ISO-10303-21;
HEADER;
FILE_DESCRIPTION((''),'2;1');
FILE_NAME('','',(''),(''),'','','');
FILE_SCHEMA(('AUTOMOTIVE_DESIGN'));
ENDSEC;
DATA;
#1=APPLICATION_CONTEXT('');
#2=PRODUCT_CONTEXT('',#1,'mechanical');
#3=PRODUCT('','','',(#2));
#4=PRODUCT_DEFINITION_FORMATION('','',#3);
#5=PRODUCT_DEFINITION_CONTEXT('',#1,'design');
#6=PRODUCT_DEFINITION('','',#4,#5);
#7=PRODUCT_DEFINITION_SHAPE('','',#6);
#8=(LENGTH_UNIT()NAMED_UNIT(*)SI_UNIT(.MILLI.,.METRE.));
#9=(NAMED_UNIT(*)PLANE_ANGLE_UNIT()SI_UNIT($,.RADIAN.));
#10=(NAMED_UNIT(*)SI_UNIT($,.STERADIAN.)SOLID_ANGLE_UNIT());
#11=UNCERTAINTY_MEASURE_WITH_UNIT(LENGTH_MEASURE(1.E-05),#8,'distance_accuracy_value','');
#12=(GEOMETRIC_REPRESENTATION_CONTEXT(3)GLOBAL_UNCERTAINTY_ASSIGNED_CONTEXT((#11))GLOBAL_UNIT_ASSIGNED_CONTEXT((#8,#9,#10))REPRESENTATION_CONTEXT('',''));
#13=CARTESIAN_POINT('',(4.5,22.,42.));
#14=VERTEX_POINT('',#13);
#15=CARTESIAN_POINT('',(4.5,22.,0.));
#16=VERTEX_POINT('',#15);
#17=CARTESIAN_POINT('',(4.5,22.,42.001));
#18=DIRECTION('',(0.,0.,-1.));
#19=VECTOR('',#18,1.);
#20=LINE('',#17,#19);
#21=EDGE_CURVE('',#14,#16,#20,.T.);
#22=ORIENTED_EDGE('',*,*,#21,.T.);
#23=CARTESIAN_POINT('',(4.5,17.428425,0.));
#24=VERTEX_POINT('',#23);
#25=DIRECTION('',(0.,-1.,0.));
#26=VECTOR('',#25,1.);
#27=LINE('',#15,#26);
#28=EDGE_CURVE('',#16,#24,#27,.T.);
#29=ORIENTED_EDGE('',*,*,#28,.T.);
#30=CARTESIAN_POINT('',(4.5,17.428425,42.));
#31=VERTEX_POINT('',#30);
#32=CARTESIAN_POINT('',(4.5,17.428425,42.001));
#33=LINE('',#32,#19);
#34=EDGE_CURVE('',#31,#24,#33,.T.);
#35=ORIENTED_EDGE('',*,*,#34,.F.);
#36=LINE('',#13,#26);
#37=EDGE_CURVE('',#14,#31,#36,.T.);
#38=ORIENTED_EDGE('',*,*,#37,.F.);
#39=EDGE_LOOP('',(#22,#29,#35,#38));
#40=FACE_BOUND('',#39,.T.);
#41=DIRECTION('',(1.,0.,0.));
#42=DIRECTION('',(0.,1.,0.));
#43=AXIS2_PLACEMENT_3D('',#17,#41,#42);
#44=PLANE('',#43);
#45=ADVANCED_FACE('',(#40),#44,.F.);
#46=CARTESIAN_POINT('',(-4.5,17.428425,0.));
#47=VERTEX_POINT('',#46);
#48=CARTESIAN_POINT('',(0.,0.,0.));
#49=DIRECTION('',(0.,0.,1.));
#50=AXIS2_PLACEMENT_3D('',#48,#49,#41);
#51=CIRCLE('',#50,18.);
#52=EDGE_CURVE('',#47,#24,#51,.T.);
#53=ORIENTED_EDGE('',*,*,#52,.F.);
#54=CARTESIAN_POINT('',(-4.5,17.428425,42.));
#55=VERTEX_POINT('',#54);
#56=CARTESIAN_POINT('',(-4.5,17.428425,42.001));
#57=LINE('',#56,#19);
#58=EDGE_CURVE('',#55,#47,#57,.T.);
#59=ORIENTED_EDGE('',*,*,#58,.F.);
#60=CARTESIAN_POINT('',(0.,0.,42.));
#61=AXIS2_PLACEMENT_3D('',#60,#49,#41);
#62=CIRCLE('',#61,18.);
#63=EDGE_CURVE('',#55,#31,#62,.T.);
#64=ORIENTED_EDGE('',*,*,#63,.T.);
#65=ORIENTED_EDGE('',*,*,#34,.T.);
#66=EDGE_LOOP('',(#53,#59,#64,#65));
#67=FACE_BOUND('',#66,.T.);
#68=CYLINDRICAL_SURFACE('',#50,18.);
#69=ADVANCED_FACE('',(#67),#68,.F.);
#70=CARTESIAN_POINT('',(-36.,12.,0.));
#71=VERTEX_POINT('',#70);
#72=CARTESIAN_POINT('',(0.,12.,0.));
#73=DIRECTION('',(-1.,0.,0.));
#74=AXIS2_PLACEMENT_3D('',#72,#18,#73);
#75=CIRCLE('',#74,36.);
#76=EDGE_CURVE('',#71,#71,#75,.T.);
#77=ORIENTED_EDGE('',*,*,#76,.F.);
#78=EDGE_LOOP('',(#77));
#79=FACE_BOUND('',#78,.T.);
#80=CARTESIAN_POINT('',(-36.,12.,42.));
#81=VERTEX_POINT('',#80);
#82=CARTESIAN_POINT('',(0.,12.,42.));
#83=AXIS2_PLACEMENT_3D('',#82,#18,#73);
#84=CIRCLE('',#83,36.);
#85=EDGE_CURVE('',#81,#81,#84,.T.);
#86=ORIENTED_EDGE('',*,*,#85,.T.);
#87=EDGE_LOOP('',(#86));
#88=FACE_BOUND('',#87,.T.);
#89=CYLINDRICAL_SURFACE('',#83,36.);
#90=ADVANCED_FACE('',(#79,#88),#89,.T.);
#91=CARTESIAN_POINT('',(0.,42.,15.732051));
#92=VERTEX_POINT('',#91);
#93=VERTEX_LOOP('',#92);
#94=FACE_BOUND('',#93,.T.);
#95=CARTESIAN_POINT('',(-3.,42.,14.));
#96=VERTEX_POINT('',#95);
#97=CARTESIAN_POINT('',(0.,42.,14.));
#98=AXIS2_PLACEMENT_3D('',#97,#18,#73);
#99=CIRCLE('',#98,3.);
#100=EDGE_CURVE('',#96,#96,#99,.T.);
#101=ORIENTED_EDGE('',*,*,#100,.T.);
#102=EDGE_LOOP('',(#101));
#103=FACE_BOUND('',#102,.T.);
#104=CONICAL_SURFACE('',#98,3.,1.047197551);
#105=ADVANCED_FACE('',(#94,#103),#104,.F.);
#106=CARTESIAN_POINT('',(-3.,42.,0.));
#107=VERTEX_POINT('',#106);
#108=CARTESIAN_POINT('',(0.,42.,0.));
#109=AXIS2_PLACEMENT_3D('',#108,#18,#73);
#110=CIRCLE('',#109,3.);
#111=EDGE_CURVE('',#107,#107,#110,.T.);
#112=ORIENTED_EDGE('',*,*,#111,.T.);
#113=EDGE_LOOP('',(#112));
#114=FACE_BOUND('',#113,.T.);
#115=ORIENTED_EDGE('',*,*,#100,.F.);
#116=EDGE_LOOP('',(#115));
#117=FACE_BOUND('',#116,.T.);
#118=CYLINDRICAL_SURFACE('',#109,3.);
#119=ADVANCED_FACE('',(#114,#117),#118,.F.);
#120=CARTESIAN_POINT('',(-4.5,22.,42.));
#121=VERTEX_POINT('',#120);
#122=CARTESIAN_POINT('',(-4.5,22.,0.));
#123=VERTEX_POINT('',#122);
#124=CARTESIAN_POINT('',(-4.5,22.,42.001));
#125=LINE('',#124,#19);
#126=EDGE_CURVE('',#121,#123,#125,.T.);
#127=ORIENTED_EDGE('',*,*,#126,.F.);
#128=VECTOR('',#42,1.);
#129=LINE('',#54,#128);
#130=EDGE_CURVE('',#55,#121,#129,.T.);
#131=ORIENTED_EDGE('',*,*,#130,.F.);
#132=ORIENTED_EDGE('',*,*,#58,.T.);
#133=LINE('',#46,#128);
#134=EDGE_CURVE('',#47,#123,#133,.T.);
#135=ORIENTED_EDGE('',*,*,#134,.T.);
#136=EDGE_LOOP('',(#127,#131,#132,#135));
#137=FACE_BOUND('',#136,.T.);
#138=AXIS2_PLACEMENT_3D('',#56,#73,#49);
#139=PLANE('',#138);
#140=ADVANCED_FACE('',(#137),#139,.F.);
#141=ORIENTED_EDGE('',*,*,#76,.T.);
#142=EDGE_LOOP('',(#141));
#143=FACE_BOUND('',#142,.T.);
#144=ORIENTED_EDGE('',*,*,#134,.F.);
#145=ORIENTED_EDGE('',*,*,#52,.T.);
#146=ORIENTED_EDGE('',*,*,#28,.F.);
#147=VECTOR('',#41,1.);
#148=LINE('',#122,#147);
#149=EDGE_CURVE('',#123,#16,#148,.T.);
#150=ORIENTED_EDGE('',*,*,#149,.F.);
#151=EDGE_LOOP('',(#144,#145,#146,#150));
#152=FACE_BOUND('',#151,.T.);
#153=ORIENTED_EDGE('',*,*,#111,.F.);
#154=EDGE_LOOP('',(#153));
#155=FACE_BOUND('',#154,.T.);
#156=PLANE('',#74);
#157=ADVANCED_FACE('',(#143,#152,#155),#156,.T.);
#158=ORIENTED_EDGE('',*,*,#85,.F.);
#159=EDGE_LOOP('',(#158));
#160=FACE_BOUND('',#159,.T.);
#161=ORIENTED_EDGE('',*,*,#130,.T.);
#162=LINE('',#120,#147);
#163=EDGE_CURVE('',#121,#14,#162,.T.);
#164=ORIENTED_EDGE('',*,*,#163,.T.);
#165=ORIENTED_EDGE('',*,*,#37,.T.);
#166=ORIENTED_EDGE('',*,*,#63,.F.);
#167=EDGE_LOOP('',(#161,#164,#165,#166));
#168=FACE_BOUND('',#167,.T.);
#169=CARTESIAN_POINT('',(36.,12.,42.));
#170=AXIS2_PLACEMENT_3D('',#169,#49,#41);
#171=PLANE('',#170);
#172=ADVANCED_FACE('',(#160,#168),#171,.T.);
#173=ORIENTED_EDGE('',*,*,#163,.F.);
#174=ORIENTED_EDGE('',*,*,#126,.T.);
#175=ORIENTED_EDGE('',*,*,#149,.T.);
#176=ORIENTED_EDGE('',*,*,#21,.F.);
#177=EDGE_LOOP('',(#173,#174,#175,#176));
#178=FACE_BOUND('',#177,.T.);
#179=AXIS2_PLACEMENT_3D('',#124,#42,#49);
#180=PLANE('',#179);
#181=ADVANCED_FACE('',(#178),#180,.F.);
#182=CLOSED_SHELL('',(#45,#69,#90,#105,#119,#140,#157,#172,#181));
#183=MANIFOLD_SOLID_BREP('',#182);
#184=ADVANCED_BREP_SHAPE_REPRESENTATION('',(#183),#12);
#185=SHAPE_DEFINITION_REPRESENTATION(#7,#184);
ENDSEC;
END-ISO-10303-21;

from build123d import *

# Parameters (mm, degrees)
ESQUISSE1_W                        = 36
ESQUISSE1_H                        = 42
ENL_V_MAT_EXTRU_1_REACH            = 75.239
ESQUISSE3_W                        = 18
ESQUISSE3_H                        = 42
DIAM_TRE_DU_PER_AGE_M6_0_6_1_D     = 6
DIAM_TRE_DU_PER_AGE_M6_0_6_1_DEPTH = 14
DIAM_TRE_DU_PER_AGE_M6_0_6_1_TIP   = 1.732050808


with BuildPart() as part:
    # Esquisse1 → Révolution1 (revolve)
    with BuildSketch(Plane.XZ.offset(-12), mode=Mode.PRIVATE) as r_volution1_sk:
        with Locations((18, 21)):
            Rectangle(ESQUISSE1_W, ESQUISSE1_H)
    revolve(r_volution1_sk.sketch.rotate(Axis((0, 12, 42), (0, 0, -1)), 180), axis=Axis((0, 12, 42), (0, 0, -1)))

    # Esquisse2 → Enlèv. mat.-Extru.1 (cut, up to next)
    with BuildSketch(Plane(origin=(0, 0, 0), x_dir=(-1, 0, 0), z_dir=(0, 0, -1)), mode=Mode.PRIVATE) as enl_v_mat_extru_1_sk1:
        with BuildLine():
            Line((4.5, 22), (-4.5, 22))
            Line((-4.5, 22), (-4.5, 17.428425058))
            ThreePointArc((-4.5, 17.428425058), (0, 18), (4.5, 17.428425058))
            Line((4.5, 17.428425058), (4.5, 22))
        make_face()
    enl_v_mat_extru_1_tool1 = extrude(enl_v_mat_extru_1_sk1.sketch, amount=-ENL_V_MAT_EXTRU_1_REACH, mode=Mode.PRIVATE) & part.part
    add(enl_v_mat_extru_1_tool1.solids().sort_by_distance((0, 19.901901, 0))[0], mode=Mode.SUBTRACT)

    # Esquisse3 → Enlèvement de matière-Révolution1 (revolve, cut)
    with BuildSketch(Plane(origin=(0, 0, 0), x_dir=(1, 0, 0), z_dir=(0, 1, 0))):
        with Locations((9, -21)):
            Rectangle(ESQUISSE3_W, ESQUISSE3_H)
    revolve(axis=Axis((0, 0, 0), (0, 0, 1)), mode=Mode.SUBTRACT)

    # Diamètre du perçage M6.0 (6)1
    with Locations(Plane(origin=(0, 0, 0), x_dir=(-1, 0, 0), z_dir=(0, 0, -1))):
        with Locations((0, 42)):
            Hole(DIAM_TRE_DU_PER_AGE_M6_0_6_1_D / 2, depth=DIAM_TRE_DU_PER_AGE_M6_0_6_1_DEPTH)
            with Locations((0, 0, -(DIAM_TRE_DU_PER_AGE_M6_0_6_1_DEPTH + DIAM_TRE_DU_PER_AGE_M6_0_6_1_TIP / 2))):  # 120° drill point
                Cone(0, DIAM_TRE_DU_PER_AGE_M6_0_6_1_D / 2, DIAM_TRE_DU_PER_AGE_M6_0_6_1_TIP, mode=Mode.SUBTRACT)


solid = part.part
